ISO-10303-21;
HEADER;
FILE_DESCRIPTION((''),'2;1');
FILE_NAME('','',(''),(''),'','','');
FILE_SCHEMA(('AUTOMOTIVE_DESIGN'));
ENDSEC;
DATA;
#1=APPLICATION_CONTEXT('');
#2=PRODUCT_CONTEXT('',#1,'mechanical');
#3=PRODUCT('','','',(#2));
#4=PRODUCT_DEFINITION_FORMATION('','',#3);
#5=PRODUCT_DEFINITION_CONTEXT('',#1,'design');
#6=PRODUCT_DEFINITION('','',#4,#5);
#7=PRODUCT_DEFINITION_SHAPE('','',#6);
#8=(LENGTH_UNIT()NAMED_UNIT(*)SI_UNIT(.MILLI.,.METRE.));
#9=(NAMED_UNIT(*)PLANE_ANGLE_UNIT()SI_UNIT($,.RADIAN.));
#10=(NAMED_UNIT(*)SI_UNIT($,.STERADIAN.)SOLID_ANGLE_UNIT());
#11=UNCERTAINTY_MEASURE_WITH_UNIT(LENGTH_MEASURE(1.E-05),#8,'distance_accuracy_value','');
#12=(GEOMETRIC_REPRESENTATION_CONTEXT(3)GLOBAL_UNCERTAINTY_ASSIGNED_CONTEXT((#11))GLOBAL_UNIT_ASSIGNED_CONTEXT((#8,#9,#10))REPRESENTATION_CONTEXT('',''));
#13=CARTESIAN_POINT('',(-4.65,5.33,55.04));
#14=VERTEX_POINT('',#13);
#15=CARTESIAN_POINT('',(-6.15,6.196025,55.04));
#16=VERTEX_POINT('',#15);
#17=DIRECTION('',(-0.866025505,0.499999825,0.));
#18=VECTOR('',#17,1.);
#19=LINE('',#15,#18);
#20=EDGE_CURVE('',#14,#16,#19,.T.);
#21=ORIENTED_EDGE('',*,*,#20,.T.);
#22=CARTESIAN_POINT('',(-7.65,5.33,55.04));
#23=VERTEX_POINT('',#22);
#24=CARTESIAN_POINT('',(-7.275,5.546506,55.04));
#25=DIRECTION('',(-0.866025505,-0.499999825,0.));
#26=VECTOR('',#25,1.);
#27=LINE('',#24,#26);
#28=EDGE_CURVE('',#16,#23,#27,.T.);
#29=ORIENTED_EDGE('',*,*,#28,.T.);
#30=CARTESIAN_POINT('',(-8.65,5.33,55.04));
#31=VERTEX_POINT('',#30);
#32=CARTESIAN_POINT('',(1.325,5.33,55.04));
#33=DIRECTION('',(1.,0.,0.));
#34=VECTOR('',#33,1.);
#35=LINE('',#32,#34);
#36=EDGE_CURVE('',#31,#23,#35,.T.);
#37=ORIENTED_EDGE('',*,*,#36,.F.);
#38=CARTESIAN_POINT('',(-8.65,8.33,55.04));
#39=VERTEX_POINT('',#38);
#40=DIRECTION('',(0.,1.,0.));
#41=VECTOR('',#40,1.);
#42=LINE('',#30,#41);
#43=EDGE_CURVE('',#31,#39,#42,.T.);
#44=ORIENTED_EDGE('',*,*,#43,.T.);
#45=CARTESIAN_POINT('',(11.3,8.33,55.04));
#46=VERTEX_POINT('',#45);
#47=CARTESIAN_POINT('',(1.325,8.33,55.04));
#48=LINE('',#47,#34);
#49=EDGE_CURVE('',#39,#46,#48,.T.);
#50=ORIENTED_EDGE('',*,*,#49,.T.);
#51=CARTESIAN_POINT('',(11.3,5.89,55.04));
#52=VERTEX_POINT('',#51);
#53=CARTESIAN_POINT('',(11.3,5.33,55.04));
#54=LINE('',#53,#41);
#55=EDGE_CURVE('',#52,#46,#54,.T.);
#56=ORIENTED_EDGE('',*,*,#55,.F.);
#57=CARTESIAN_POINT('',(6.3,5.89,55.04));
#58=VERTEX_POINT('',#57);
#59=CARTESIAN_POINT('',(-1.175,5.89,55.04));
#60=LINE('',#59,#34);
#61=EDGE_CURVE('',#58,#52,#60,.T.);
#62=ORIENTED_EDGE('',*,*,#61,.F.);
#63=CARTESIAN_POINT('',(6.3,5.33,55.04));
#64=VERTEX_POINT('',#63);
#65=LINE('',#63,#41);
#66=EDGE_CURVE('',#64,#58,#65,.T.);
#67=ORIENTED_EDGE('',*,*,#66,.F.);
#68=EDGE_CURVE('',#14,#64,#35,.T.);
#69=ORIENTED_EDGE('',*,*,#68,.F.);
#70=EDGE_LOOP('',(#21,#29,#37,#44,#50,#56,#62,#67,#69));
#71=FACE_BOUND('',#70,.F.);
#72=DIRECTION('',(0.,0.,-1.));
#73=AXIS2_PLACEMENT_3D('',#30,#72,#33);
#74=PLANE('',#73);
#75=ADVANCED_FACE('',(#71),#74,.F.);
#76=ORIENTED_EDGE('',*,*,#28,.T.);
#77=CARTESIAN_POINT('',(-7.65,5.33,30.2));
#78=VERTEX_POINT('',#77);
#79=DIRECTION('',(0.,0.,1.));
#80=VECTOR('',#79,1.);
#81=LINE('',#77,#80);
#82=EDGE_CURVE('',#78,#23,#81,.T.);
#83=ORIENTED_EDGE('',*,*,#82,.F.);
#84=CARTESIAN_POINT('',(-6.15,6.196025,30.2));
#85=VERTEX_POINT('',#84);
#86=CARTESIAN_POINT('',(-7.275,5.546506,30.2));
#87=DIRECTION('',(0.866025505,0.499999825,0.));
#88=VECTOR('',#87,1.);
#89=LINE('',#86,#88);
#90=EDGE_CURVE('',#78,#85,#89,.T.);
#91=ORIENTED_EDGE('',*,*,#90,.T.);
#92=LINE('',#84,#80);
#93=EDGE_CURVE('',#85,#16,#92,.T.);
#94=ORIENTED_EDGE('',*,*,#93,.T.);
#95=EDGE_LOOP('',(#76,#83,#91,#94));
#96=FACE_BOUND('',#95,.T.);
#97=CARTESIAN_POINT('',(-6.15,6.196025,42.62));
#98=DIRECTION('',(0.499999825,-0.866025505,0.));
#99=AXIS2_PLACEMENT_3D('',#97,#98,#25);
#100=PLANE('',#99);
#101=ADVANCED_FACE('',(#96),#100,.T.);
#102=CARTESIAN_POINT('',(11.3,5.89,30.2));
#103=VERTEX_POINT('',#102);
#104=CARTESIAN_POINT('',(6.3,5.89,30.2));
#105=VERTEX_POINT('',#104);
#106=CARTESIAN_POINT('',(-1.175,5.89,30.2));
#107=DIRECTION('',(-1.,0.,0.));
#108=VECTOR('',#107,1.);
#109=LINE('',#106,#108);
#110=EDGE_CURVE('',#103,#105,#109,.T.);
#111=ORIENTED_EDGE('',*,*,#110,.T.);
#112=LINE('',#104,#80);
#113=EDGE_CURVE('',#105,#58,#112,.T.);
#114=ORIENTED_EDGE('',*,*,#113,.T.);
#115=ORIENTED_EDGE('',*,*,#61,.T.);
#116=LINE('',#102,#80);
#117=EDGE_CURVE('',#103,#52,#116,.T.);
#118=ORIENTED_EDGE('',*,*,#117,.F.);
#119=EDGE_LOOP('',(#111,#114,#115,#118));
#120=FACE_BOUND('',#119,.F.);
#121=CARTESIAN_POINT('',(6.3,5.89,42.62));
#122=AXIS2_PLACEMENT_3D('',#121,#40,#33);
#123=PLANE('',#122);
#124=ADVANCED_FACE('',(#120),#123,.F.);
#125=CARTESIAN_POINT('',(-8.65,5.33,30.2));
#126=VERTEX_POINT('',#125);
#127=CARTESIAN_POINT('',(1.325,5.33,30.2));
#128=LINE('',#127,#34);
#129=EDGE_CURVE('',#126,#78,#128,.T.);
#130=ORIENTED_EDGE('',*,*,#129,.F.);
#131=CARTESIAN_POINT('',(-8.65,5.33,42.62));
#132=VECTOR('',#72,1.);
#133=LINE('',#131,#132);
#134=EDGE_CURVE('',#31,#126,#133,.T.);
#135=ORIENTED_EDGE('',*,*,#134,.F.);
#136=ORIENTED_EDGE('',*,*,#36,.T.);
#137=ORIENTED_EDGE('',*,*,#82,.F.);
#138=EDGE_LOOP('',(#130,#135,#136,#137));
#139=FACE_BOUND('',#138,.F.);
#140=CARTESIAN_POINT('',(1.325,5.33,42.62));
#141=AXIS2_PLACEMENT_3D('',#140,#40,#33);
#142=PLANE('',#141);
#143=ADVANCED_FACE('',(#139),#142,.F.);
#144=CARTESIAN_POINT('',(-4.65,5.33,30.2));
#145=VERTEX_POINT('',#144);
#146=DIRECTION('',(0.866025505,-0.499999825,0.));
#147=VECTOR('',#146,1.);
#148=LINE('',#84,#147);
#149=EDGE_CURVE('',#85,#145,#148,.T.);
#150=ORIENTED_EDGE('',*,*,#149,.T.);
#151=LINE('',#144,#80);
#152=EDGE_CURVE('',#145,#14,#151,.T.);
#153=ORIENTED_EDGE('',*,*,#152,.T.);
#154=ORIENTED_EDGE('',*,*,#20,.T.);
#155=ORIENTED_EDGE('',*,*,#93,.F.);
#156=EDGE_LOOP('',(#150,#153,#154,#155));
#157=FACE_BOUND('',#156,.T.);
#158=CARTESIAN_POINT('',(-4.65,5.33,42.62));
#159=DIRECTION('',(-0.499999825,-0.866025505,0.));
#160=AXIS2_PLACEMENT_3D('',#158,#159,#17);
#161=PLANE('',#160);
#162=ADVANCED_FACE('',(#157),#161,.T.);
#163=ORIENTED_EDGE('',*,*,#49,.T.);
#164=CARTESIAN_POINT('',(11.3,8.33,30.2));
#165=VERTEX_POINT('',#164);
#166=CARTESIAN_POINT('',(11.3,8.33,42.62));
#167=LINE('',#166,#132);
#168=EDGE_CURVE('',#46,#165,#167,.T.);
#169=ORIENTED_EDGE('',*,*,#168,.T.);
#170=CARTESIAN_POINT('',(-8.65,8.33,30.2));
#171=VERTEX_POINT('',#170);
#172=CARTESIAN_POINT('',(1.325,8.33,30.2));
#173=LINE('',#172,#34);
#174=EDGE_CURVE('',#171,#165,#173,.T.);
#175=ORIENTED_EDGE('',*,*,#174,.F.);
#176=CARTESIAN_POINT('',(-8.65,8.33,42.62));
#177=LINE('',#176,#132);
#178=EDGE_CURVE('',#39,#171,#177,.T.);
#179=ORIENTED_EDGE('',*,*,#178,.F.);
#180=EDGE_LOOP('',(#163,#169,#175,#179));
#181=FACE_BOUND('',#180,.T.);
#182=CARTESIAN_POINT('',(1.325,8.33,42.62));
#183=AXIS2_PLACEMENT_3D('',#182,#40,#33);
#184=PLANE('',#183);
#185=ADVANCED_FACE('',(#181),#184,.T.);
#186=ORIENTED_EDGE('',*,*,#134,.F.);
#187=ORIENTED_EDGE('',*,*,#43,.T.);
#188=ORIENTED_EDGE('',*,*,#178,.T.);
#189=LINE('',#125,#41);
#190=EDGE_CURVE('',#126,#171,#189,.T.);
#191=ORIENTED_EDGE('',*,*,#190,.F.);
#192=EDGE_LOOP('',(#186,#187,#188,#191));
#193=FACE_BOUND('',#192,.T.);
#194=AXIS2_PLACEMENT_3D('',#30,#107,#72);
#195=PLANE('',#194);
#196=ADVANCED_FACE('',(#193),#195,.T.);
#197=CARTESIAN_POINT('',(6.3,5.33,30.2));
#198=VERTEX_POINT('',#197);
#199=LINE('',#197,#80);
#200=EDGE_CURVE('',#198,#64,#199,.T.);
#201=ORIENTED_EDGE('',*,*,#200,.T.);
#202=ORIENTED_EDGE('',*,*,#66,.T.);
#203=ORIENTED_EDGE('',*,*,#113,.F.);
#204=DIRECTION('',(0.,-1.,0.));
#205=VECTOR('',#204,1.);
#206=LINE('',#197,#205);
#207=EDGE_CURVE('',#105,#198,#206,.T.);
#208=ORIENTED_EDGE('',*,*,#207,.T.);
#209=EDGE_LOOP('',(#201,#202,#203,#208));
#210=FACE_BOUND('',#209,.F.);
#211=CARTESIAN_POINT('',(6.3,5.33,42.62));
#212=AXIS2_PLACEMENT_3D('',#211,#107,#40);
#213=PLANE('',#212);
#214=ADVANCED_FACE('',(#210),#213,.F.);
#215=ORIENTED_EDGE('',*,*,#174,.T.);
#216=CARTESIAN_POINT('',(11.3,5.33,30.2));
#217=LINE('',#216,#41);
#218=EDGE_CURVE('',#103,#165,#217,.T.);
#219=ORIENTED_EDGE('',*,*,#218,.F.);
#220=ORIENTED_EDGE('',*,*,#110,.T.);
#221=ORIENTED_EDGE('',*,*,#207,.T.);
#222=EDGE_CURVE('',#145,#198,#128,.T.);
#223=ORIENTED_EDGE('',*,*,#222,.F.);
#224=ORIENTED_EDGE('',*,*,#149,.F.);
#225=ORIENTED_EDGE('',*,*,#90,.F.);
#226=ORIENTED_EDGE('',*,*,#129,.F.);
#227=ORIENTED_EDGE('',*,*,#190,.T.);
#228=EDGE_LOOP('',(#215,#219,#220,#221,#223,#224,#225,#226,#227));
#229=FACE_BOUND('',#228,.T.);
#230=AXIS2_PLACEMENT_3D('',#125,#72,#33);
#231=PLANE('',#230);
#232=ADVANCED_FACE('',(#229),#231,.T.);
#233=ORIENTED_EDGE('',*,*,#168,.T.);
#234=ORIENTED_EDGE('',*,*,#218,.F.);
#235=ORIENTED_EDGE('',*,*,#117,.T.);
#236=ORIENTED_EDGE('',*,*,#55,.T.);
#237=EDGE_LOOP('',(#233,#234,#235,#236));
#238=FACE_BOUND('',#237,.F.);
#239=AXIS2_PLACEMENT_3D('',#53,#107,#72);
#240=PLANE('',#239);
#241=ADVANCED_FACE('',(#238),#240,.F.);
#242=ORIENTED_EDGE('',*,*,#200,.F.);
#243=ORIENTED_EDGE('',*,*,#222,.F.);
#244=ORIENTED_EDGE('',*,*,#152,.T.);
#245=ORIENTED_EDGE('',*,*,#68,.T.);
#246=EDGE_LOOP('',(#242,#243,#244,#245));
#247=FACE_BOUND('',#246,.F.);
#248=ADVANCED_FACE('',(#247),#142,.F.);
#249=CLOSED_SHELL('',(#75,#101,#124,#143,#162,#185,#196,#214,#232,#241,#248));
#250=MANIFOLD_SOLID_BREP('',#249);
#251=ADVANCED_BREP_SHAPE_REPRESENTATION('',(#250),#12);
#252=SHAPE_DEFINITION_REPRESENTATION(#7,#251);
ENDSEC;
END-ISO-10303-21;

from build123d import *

# Parameters (mm, degrees)
SKETCH011_W             = 19.95
SKETCH011_H             = 24.84
PAD002_DEPTH            = 3
POCKET008_DEPTH         = 12.421
POCKET008_DEPTH_BACK    = 12.421
SKETCH013_W             = 5
SKETCH013_H             = 0.56
POCKET009_DEPTH         = 12.421
POCKET009_DEPTH_BACK    = 12.421
BODY002_PLACEMENT_ANGLE = 270


with BuildPart() as part:
    # Sketch011 (on XY_Plane011 of Origin030) → Pad002 (new body)
    with BuildSketch(Plane.XY):
        with Locations((2.325, 0)):
            Rectangle(SKETCH011_W, SKETCH011_H)
    extrude(amount=PAD002_DEPTH)

    # Sketch012 (on XZ_Plane011 of Origin030) → Pocket008 (cut, two sides)
    with BuildSketch(Plane.XZ) as pocket008_sk:
        Polygon((-5.15, 0.866025), (-6.65, 0), (-3.65, 0), align=None)
    extrude(amount=-POCKET008_DEPTH, mode=Mode.SUBTRACT)
    extrude(pocket008_sk.sketch, amount=POCKET008_DEPTH_BACK, mode=Mode.SUBTRACT)

    # Sketch013 (on XZ_Plane011 of Origin030) → Pocket009 (cut, two sides)
    with BuildSketch(Plane.XZ) as pocket009_sk:
        with Locations((9.8, 0.28)):
            Rectangle(SKETCH013_W, SKETCH013_H)
    extrude(amount=-POCKET009_DEPTH, mode=Mode.SUBTRACT)
    extrude(pocket009_sk.sketch, amount=POCKET009_DEPTH_BACK, mode=Mode.SUBTRACT)


with BuildPart() as part_1:
    # Body002 placement: moved
    add(part.part.moved(Location((-1, 5.33, 42.62))).rotate(Axis((-1, 5.33, 42.62), (1, 0, 0)), BODY002_PLACEMENT_ANGLE))


solid = part_1.part
